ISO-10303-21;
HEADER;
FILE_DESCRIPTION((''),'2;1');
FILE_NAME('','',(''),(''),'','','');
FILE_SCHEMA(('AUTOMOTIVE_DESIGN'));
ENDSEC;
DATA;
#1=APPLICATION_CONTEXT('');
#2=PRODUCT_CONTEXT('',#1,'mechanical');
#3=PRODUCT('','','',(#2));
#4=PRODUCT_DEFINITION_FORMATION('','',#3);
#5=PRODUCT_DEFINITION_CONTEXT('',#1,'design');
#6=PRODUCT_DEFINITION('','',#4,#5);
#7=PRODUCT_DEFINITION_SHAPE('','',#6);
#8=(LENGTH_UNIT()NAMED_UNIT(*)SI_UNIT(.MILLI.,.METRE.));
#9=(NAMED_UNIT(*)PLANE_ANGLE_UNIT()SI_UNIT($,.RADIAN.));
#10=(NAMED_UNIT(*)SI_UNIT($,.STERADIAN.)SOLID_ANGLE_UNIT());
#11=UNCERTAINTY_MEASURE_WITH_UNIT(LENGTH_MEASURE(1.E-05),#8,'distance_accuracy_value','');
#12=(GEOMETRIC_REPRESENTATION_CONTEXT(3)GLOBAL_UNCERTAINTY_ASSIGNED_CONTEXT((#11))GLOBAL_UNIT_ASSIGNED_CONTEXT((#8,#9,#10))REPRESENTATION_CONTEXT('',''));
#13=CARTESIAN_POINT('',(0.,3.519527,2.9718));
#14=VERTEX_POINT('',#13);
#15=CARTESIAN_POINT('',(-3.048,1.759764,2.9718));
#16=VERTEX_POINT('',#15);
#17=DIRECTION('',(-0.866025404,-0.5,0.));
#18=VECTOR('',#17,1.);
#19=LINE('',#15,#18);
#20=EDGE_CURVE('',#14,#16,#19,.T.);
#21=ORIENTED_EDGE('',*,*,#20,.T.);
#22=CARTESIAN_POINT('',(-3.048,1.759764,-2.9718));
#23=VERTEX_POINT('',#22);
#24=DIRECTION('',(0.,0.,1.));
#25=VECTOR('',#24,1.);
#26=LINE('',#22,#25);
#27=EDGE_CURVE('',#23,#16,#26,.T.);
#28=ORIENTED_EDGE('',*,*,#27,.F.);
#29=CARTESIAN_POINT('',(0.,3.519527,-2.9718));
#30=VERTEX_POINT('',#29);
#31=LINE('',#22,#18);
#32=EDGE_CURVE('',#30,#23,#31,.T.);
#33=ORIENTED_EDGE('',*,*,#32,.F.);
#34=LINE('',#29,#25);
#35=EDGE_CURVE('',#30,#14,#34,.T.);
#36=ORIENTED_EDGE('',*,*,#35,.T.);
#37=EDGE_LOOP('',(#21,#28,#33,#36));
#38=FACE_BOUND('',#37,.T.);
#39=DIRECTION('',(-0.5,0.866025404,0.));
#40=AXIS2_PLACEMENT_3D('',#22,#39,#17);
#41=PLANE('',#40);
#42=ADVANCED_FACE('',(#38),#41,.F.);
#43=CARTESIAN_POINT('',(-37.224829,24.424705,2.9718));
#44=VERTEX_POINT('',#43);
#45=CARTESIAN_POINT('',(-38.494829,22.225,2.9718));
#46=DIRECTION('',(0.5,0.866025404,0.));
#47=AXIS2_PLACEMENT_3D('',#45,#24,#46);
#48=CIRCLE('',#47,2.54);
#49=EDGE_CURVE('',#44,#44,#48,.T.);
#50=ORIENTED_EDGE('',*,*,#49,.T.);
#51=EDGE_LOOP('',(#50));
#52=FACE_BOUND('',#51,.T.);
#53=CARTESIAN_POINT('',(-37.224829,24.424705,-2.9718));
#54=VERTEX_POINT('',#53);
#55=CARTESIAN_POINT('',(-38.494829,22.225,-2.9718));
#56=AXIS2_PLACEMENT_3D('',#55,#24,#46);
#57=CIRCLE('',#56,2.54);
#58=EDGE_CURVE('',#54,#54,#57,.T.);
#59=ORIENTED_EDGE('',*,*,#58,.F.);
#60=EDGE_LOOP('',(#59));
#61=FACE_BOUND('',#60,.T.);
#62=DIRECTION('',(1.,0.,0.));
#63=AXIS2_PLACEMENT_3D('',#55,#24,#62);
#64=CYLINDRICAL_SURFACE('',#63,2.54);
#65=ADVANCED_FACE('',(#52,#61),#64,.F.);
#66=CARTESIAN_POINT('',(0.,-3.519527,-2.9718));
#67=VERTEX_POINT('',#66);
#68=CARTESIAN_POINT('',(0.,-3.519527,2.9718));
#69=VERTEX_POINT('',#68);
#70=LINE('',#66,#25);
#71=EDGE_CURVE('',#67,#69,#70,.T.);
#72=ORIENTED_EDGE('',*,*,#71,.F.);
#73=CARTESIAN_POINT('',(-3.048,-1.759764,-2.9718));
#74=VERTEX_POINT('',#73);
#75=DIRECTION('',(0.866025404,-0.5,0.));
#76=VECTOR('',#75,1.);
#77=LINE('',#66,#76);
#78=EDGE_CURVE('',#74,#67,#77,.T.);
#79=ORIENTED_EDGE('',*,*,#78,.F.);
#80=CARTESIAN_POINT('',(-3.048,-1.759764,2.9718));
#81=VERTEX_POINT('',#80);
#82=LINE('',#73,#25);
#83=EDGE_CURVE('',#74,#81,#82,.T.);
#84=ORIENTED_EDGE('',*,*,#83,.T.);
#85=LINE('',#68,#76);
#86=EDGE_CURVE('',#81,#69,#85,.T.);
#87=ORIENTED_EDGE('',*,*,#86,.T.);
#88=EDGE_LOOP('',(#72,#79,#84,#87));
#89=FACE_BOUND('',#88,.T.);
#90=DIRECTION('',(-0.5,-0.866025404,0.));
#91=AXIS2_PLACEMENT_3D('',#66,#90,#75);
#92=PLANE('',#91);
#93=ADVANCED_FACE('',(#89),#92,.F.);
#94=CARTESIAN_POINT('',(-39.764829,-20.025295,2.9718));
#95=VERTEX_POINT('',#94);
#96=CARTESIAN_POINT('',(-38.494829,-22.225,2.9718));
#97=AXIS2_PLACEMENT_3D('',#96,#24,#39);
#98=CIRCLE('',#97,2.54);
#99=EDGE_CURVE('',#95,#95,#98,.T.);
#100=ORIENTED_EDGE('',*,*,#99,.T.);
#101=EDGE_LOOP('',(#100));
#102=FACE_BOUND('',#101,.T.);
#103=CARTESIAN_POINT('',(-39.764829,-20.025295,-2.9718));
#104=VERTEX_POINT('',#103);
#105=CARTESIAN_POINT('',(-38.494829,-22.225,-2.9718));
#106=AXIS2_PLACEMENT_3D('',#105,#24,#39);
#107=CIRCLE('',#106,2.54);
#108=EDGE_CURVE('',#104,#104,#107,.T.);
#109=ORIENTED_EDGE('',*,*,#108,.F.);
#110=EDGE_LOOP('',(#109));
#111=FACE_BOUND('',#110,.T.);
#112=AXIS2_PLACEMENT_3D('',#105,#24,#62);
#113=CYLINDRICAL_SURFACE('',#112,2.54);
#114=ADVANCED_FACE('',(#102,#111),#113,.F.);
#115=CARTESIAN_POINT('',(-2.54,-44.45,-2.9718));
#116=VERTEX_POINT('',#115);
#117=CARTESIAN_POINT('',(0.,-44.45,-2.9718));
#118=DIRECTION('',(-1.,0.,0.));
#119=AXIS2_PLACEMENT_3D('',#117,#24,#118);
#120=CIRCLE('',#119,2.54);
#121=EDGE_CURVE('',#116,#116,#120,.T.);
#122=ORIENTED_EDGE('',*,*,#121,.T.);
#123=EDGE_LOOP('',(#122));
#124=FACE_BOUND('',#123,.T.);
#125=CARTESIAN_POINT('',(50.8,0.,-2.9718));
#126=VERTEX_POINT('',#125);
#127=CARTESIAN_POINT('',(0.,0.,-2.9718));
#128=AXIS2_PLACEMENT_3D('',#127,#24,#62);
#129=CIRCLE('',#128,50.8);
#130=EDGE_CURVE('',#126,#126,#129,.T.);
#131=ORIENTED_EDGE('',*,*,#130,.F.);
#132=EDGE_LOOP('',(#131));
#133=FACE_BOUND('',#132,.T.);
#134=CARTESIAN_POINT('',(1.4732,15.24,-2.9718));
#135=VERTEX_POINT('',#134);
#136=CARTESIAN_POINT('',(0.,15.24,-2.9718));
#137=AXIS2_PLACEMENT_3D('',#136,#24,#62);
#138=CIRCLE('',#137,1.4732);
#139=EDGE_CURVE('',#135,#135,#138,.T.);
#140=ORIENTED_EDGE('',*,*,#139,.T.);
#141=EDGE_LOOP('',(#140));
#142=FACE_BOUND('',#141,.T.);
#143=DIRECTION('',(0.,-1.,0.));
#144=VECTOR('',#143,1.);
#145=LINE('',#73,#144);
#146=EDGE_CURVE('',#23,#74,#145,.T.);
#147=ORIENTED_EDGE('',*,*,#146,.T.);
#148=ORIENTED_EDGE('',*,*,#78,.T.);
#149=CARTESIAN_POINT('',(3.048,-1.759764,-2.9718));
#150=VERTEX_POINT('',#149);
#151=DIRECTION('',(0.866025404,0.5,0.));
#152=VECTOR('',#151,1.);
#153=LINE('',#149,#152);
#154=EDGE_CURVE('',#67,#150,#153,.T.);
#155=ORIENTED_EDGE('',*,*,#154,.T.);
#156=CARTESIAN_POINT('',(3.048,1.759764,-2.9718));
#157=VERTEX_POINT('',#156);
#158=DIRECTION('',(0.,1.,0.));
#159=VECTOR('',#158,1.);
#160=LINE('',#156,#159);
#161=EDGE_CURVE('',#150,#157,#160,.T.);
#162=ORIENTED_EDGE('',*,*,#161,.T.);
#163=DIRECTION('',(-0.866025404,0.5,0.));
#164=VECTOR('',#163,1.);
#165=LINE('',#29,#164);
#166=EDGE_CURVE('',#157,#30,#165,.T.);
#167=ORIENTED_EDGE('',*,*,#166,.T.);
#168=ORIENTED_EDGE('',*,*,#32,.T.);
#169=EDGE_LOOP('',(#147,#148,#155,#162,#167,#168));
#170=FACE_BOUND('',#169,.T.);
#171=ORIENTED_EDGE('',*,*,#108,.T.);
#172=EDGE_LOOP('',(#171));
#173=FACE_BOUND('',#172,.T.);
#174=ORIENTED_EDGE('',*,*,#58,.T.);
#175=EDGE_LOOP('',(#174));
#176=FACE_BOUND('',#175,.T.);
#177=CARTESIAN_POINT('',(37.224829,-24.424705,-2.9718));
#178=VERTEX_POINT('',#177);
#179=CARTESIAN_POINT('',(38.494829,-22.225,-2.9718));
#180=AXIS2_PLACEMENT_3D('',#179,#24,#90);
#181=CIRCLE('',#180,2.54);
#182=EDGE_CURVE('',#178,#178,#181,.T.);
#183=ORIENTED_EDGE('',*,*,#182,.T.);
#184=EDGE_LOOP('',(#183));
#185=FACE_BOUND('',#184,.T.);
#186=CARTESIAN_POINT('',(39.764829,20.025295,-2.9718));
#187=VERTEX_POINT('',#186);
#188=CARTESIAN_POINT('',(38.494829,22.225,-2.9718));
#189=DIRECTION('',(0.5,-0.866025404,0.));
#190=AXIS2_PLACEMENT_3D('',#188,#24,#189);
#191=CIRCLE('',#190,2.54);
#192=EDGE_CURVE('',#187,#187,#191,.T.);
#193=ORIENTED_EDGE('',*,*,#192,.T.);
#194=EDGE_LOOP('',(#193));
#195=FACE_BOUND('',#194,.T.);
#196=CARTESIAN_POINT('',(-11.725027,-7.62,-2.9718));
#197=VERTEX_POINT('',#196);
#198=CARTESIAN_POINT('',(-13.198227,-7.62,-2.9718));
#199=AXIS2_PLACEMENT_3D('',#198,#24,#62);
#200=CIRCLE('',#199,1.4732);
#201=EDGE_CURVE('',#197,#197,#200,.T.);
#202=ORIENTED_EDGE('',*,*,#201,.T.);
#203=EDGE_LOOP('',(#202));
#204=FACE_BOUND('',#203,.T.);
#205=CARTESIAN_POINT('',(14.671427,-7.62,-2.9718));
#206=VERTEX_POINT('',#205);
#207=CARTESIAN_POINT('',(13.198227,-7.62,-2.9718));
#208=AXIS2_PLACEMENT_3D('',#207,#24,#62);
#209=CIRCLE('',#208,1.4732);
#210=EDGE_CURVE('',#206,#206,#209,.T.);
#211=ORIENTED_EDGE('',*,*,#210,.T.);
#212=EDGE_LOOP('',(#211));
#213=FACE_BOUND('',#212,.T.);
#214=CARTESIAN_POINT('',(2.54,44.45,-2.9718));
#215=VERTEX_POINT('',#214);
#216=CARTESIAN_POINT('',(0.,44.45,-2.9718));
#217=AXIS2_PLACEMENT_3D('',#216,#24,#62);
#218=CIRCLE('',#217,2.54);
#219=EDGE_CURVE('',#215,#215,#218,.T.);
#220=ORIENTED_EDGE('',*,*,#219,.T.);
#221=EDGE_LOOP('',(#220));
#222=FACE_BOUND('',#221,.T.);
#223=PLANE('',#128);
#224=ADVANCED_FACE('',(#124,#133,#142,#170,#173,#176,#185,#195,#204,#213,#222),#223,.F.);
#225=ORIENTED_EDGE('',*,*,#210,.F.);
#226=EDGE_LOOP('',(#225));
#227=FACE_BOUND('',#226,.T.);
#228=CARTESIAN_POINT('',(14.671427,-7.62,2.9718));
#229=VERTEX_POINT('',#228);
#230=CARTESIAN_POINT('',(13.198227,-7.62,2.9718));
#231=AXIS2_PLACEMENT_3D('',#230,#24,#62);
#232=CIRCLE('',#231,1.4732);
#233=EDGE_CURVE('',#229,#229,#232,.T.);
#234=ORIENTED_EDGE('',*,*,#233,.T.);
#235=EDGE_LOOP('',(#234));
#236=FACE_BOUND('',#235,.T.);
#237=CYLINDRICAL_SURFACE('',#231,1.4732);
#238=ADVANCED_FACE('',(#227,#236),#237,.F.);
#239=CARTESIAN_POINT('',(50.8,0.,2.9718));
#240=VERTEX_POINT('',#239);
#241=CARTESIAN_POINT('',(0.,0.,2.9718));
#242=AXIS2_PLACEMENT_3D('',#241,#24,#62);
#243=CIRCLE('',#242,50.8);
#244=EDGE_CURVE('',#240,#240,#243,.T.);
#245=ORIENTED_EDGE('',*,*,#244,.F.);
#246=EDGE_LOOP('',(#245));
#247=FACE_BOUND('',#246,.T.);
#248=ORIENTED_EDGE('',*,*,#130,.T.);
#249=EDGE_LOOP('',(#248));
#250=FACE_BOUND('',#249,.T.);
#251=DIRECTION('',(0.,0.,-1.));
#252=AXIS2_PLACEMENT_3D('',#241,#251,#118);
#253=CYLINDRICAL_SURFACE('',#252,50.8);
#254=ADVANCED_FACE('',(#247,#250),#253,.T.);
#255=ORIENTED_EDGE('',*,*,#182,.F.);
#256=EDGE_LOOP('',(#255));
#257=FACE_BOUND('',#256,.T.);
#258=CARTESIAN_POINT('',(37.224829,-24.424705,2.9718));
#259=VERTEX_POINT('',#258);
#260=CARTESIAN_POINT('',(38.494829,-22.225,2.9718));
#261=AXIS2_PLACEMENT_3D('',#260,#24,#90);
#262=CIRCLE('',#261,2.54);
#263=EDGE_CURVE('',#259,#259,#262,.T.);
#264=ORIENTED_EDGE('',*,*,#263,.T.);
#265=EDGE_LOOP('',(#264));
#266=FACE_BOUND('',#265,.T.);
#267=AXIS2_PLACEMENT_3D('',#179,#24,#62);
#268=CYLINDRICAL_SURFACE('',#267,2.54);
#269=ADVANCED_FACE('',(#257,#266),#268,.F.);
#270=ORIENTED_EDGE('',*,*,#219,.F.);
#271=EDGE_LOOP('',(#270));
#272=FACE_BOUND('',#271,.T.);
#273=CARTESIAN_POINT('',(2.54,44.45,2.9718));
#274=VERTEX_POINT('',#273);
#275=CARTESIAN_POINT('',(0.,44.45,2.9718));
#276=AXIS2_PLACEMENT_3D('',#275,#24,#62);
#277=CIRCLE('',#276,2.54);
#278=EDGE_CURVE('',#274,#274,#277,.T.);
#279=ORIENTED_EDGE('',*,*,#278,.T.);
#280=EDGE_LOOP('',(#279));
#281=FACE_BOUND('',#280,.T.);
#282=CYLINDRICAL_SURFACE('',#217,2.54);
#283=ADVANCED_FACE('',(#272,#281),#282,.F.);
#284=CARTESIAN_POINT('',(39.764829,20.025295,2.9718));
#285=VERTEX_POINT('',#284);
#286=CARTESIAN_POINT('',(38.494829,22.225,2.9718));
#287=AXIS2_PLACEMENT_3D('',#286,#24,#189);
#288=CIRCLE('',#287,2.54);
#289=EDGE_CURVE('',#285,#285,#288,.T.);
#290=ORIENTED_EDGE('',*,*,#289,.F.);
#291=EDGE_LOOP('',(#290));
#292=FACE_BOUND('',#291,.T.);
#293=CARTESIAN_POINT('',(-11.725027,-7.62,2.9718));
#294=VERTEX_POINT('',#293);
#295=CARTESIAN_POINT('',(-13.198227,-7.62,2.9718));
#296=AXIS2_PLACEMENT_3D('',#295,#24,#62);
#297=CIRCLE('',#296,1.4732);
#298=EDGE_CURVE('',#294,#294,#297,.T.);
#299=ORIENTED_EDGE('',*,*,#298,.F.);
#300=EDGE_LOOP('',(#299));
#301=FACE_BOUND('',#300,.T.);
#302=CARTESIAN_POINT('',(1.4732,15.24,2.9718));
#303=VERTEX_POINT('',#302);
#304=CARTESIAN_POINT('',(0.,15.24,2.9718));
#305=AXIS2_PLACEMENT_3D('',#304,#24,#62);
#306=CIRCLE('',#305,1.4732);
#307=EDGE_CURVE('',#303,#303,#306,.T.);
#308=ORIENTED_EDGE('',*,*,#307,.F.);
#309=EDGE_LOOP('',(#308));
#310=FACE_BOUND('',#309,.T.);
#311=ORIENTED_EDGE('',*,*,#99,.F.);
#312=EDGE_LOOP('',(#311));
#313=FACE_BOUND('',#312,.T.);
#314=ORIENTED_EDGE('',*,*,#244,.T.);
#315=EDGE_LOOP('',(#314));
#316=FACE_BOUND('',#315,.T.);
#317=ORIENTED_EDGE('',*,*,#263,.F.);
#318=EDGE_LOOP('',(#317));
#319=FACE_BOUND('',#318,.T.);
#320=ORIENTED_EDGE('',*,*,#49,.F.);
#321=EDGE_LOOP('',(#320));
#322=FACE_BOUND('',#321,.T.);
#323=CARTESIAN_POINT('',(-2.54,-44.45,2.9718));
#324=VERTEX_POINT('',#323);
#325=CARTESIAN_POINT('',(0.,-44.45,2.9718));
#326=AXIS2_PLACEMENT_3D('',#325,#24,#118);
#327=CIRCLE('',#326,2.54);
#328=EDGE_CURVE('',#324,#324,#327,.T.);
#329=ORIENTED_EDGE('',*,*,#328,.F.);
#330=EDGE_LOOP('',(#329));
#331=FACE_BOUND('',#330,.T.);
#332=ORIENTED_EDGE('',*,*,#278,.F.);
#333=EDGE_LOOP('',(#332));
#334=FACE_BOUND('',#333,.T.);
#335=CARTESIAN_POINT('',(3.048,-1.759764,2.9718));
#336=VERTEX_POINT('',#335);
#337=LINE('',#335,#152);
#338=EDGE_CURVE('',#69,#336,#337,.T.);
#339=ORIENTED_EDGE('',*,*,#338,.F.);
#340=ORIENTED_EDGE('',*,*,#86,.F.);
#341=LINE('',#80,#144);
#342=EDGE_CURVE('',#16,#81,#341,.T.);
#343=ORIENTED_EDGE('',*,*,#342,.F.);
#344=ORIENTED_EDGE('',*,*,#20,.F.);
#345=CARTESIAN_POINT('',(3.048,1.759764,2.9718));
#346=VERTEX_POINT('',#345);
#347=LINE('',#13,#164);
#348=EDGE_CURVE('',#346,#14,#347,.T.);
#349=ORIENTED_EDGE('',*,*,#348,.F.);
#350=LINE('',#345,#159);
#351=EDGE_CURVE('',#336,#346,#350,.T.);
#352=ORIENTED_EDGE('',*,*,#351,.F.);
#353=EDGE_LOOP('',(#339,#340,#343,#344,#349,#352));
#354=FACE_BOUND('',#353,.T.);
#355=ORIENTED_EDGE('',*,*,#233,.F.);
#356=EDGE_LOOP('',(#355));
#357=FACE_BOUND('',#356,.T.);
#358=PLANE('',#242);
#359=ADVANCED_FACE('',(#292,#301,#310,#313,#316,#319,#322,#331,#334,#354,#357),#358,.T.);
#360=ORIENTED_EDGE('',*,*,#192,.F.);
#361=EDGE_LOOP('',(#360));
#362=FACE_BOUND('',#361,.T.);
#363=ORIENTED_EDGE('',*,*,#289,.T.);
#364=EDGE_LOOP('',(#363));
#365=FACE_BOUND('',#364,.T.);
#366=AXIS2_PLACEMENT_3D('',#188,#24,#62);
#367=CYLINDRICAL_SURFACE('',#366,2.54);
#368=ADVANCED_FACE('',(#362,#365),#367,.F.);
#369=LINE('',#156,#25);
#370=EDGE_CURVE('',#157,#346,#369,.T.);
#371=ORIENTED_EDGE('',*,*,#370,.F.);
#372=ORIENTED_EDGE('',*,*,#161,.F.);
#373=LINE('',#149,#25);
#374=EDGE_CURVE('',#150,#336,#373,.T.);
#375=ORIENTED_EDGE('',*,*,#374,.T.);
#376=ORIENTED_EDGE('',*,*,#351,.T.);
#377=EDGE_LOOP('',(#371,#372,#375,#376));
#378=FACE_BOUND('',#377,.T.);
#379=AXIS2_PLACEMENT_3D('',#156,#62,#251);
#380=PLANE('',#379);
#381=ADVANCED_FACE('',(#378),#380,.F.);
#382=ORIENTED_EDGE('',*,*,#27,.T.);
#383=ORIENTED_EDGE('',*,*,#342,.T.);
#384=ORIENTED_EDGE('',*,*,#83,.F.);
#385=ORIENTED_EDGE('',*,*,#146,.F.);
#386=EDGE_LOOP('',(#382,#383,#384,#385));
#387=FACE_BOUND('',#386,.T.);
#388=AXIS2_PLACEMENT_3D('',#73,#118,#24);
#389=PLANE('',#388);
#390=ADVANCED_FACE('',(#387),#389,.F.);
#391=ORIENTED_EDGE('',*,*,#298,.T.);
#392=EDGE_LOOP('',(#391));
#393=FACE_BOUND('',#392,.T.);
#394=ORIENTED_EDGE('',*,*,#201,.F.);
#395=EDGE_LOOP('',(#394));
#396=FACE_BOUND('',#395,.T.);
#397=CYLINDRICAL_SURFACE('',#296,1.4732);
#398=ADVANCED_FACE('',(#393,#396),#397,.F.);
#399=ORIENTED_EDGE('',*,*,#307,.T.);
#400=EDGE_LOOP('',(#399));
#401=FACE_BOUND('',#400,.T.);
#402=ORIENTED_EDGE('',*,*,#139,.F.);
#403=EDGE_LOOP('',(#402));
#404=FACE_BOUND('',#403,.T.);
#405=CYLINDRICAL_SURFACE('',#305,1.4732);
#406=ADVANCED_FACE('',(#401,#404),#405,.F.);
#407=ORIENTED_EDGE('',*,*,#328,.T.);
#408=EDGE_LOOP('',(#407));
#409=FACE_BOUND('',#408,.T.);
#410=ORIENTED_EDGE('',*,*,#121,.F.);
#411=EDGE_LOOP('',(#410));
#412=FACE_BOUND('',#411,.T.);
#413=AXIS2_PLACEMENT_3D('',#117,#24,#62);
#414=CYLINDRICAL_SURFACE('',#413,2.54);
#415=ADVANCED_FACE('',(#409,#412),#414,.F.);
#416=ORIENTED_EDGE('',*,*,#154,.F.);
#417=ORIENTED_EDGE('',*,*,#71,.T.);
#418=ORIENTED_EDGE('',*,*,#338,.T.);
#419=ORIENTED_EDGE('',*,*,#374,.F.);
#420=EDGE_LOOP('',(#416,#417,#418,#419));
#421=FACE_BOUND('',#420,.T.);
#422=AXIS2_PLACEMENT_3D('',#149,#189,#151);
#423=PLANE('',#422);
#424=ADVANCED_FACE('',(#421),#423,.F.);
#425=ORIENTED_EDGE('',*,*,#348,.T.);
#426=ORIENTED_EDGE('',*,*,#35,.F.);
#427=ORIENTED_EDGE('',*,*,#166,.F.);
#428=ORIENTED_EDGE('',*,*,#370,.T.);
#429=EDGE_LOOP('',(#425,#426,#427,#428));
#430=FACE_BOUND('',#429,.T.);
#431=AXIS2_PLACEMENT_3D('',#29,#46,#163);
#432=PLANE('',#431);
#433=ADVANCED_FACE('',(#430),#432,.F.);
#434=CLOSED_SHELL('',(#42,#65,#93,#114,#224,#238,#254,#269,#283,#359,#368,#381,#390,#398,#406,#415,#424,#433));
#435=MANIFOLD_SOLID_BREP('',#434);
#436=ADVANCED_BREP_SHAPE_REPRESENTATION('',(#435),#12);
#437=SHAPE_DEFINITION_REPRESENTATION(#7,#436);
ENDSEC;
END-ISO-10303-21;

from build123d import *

# Parameters (mm, degrees)
SKETCH1_R                   = 50.8
BOSS_EXTRUDE1_DEPTH         = 2.9718
SKETCH2_R                   = 2.54
CUT_EXTRUDE1_DEPTH          = 73.087491155
CIRPATTERN1_COUNT           = 6
CUT_EXTRUDE2_DEPTH          = 73.087491155
F_32_0_116_DIAMETER_HOLE1_D = 2.9464
CIRPATTERN2_COUNT           = 3


with BuildPart() as part:
    # Sketch1 → Boss-Extrude1 (new, symmetric)
    with BuildSketch(Plane.XY):
        Circle(SKETCH1_R)
    extrude(amount=BOSS_EXTRUDE1_DEPTH, both=True)

    # Sketch2 → Cut-Extrude1 (cut, through all)
    with BuildSketch(Plane.XY.offset(2.9718)):
        with Locations((0, 44.45)):
            Circle(SKETCH2_R)
    cut_extrude1 = extrude(amount=-CUT_EXTRUDE1_DEPTH, mode=Mode.SUBTRACT)

    # CirPattern1: Cut-Extrude1 ×6 about axis
    cirpattern1_axis = Axis((0, 0, -3.4925), (0, 0, 1))
    for i in range(1, CIRPATTERN1_COUNT):
        add(cut_extrude1.rotate(cirpattern1_axis, i * 360 / CIRPATTERN1_COUNT), mode=Mode.SUBTRACT)

    # Sketch3 → Cut-Extrude2 (cut, through all)
    with BuildSketch(Plane.XY.offset(2.9718)):
        Polygon((0, 3.519527241), (3.048, 1.75976362), (3.048, -1.75976362), (0, -3.519527241), (-3.048, -1.75976362), (-3.048, 1.75976362), align=None)
    extrude(amount=-CUT_EXTRUDE2_DEPTH, mode=Mode.SUBTRACT)

    # #32 (0.116) Diameter Hole1 (through all)
    with Locations(Plane.XY.offset(2.9718)):
        with Locations((0, 15.24)):
            f_32_0_116_diameter_hole1 = Hole(F_32_0_116_DIAMETER_HOLE1_D / 2)

    # CirPattern2: #32 (0.116) Diameter Hole1 ×3 about axis
    cirpattern2_axis = Axis((0, 0, -3.4925), (0, 0, 1))
    for i in range(1, CIRPATTERN2_COUNT):
        add(f_32_0_116_diameter_hole1.rotate(cirpattern2_axis, i * 360 / CIRPATTERN2_COUNT), mode=Mode.SUBTRACT)


solid = part.part
